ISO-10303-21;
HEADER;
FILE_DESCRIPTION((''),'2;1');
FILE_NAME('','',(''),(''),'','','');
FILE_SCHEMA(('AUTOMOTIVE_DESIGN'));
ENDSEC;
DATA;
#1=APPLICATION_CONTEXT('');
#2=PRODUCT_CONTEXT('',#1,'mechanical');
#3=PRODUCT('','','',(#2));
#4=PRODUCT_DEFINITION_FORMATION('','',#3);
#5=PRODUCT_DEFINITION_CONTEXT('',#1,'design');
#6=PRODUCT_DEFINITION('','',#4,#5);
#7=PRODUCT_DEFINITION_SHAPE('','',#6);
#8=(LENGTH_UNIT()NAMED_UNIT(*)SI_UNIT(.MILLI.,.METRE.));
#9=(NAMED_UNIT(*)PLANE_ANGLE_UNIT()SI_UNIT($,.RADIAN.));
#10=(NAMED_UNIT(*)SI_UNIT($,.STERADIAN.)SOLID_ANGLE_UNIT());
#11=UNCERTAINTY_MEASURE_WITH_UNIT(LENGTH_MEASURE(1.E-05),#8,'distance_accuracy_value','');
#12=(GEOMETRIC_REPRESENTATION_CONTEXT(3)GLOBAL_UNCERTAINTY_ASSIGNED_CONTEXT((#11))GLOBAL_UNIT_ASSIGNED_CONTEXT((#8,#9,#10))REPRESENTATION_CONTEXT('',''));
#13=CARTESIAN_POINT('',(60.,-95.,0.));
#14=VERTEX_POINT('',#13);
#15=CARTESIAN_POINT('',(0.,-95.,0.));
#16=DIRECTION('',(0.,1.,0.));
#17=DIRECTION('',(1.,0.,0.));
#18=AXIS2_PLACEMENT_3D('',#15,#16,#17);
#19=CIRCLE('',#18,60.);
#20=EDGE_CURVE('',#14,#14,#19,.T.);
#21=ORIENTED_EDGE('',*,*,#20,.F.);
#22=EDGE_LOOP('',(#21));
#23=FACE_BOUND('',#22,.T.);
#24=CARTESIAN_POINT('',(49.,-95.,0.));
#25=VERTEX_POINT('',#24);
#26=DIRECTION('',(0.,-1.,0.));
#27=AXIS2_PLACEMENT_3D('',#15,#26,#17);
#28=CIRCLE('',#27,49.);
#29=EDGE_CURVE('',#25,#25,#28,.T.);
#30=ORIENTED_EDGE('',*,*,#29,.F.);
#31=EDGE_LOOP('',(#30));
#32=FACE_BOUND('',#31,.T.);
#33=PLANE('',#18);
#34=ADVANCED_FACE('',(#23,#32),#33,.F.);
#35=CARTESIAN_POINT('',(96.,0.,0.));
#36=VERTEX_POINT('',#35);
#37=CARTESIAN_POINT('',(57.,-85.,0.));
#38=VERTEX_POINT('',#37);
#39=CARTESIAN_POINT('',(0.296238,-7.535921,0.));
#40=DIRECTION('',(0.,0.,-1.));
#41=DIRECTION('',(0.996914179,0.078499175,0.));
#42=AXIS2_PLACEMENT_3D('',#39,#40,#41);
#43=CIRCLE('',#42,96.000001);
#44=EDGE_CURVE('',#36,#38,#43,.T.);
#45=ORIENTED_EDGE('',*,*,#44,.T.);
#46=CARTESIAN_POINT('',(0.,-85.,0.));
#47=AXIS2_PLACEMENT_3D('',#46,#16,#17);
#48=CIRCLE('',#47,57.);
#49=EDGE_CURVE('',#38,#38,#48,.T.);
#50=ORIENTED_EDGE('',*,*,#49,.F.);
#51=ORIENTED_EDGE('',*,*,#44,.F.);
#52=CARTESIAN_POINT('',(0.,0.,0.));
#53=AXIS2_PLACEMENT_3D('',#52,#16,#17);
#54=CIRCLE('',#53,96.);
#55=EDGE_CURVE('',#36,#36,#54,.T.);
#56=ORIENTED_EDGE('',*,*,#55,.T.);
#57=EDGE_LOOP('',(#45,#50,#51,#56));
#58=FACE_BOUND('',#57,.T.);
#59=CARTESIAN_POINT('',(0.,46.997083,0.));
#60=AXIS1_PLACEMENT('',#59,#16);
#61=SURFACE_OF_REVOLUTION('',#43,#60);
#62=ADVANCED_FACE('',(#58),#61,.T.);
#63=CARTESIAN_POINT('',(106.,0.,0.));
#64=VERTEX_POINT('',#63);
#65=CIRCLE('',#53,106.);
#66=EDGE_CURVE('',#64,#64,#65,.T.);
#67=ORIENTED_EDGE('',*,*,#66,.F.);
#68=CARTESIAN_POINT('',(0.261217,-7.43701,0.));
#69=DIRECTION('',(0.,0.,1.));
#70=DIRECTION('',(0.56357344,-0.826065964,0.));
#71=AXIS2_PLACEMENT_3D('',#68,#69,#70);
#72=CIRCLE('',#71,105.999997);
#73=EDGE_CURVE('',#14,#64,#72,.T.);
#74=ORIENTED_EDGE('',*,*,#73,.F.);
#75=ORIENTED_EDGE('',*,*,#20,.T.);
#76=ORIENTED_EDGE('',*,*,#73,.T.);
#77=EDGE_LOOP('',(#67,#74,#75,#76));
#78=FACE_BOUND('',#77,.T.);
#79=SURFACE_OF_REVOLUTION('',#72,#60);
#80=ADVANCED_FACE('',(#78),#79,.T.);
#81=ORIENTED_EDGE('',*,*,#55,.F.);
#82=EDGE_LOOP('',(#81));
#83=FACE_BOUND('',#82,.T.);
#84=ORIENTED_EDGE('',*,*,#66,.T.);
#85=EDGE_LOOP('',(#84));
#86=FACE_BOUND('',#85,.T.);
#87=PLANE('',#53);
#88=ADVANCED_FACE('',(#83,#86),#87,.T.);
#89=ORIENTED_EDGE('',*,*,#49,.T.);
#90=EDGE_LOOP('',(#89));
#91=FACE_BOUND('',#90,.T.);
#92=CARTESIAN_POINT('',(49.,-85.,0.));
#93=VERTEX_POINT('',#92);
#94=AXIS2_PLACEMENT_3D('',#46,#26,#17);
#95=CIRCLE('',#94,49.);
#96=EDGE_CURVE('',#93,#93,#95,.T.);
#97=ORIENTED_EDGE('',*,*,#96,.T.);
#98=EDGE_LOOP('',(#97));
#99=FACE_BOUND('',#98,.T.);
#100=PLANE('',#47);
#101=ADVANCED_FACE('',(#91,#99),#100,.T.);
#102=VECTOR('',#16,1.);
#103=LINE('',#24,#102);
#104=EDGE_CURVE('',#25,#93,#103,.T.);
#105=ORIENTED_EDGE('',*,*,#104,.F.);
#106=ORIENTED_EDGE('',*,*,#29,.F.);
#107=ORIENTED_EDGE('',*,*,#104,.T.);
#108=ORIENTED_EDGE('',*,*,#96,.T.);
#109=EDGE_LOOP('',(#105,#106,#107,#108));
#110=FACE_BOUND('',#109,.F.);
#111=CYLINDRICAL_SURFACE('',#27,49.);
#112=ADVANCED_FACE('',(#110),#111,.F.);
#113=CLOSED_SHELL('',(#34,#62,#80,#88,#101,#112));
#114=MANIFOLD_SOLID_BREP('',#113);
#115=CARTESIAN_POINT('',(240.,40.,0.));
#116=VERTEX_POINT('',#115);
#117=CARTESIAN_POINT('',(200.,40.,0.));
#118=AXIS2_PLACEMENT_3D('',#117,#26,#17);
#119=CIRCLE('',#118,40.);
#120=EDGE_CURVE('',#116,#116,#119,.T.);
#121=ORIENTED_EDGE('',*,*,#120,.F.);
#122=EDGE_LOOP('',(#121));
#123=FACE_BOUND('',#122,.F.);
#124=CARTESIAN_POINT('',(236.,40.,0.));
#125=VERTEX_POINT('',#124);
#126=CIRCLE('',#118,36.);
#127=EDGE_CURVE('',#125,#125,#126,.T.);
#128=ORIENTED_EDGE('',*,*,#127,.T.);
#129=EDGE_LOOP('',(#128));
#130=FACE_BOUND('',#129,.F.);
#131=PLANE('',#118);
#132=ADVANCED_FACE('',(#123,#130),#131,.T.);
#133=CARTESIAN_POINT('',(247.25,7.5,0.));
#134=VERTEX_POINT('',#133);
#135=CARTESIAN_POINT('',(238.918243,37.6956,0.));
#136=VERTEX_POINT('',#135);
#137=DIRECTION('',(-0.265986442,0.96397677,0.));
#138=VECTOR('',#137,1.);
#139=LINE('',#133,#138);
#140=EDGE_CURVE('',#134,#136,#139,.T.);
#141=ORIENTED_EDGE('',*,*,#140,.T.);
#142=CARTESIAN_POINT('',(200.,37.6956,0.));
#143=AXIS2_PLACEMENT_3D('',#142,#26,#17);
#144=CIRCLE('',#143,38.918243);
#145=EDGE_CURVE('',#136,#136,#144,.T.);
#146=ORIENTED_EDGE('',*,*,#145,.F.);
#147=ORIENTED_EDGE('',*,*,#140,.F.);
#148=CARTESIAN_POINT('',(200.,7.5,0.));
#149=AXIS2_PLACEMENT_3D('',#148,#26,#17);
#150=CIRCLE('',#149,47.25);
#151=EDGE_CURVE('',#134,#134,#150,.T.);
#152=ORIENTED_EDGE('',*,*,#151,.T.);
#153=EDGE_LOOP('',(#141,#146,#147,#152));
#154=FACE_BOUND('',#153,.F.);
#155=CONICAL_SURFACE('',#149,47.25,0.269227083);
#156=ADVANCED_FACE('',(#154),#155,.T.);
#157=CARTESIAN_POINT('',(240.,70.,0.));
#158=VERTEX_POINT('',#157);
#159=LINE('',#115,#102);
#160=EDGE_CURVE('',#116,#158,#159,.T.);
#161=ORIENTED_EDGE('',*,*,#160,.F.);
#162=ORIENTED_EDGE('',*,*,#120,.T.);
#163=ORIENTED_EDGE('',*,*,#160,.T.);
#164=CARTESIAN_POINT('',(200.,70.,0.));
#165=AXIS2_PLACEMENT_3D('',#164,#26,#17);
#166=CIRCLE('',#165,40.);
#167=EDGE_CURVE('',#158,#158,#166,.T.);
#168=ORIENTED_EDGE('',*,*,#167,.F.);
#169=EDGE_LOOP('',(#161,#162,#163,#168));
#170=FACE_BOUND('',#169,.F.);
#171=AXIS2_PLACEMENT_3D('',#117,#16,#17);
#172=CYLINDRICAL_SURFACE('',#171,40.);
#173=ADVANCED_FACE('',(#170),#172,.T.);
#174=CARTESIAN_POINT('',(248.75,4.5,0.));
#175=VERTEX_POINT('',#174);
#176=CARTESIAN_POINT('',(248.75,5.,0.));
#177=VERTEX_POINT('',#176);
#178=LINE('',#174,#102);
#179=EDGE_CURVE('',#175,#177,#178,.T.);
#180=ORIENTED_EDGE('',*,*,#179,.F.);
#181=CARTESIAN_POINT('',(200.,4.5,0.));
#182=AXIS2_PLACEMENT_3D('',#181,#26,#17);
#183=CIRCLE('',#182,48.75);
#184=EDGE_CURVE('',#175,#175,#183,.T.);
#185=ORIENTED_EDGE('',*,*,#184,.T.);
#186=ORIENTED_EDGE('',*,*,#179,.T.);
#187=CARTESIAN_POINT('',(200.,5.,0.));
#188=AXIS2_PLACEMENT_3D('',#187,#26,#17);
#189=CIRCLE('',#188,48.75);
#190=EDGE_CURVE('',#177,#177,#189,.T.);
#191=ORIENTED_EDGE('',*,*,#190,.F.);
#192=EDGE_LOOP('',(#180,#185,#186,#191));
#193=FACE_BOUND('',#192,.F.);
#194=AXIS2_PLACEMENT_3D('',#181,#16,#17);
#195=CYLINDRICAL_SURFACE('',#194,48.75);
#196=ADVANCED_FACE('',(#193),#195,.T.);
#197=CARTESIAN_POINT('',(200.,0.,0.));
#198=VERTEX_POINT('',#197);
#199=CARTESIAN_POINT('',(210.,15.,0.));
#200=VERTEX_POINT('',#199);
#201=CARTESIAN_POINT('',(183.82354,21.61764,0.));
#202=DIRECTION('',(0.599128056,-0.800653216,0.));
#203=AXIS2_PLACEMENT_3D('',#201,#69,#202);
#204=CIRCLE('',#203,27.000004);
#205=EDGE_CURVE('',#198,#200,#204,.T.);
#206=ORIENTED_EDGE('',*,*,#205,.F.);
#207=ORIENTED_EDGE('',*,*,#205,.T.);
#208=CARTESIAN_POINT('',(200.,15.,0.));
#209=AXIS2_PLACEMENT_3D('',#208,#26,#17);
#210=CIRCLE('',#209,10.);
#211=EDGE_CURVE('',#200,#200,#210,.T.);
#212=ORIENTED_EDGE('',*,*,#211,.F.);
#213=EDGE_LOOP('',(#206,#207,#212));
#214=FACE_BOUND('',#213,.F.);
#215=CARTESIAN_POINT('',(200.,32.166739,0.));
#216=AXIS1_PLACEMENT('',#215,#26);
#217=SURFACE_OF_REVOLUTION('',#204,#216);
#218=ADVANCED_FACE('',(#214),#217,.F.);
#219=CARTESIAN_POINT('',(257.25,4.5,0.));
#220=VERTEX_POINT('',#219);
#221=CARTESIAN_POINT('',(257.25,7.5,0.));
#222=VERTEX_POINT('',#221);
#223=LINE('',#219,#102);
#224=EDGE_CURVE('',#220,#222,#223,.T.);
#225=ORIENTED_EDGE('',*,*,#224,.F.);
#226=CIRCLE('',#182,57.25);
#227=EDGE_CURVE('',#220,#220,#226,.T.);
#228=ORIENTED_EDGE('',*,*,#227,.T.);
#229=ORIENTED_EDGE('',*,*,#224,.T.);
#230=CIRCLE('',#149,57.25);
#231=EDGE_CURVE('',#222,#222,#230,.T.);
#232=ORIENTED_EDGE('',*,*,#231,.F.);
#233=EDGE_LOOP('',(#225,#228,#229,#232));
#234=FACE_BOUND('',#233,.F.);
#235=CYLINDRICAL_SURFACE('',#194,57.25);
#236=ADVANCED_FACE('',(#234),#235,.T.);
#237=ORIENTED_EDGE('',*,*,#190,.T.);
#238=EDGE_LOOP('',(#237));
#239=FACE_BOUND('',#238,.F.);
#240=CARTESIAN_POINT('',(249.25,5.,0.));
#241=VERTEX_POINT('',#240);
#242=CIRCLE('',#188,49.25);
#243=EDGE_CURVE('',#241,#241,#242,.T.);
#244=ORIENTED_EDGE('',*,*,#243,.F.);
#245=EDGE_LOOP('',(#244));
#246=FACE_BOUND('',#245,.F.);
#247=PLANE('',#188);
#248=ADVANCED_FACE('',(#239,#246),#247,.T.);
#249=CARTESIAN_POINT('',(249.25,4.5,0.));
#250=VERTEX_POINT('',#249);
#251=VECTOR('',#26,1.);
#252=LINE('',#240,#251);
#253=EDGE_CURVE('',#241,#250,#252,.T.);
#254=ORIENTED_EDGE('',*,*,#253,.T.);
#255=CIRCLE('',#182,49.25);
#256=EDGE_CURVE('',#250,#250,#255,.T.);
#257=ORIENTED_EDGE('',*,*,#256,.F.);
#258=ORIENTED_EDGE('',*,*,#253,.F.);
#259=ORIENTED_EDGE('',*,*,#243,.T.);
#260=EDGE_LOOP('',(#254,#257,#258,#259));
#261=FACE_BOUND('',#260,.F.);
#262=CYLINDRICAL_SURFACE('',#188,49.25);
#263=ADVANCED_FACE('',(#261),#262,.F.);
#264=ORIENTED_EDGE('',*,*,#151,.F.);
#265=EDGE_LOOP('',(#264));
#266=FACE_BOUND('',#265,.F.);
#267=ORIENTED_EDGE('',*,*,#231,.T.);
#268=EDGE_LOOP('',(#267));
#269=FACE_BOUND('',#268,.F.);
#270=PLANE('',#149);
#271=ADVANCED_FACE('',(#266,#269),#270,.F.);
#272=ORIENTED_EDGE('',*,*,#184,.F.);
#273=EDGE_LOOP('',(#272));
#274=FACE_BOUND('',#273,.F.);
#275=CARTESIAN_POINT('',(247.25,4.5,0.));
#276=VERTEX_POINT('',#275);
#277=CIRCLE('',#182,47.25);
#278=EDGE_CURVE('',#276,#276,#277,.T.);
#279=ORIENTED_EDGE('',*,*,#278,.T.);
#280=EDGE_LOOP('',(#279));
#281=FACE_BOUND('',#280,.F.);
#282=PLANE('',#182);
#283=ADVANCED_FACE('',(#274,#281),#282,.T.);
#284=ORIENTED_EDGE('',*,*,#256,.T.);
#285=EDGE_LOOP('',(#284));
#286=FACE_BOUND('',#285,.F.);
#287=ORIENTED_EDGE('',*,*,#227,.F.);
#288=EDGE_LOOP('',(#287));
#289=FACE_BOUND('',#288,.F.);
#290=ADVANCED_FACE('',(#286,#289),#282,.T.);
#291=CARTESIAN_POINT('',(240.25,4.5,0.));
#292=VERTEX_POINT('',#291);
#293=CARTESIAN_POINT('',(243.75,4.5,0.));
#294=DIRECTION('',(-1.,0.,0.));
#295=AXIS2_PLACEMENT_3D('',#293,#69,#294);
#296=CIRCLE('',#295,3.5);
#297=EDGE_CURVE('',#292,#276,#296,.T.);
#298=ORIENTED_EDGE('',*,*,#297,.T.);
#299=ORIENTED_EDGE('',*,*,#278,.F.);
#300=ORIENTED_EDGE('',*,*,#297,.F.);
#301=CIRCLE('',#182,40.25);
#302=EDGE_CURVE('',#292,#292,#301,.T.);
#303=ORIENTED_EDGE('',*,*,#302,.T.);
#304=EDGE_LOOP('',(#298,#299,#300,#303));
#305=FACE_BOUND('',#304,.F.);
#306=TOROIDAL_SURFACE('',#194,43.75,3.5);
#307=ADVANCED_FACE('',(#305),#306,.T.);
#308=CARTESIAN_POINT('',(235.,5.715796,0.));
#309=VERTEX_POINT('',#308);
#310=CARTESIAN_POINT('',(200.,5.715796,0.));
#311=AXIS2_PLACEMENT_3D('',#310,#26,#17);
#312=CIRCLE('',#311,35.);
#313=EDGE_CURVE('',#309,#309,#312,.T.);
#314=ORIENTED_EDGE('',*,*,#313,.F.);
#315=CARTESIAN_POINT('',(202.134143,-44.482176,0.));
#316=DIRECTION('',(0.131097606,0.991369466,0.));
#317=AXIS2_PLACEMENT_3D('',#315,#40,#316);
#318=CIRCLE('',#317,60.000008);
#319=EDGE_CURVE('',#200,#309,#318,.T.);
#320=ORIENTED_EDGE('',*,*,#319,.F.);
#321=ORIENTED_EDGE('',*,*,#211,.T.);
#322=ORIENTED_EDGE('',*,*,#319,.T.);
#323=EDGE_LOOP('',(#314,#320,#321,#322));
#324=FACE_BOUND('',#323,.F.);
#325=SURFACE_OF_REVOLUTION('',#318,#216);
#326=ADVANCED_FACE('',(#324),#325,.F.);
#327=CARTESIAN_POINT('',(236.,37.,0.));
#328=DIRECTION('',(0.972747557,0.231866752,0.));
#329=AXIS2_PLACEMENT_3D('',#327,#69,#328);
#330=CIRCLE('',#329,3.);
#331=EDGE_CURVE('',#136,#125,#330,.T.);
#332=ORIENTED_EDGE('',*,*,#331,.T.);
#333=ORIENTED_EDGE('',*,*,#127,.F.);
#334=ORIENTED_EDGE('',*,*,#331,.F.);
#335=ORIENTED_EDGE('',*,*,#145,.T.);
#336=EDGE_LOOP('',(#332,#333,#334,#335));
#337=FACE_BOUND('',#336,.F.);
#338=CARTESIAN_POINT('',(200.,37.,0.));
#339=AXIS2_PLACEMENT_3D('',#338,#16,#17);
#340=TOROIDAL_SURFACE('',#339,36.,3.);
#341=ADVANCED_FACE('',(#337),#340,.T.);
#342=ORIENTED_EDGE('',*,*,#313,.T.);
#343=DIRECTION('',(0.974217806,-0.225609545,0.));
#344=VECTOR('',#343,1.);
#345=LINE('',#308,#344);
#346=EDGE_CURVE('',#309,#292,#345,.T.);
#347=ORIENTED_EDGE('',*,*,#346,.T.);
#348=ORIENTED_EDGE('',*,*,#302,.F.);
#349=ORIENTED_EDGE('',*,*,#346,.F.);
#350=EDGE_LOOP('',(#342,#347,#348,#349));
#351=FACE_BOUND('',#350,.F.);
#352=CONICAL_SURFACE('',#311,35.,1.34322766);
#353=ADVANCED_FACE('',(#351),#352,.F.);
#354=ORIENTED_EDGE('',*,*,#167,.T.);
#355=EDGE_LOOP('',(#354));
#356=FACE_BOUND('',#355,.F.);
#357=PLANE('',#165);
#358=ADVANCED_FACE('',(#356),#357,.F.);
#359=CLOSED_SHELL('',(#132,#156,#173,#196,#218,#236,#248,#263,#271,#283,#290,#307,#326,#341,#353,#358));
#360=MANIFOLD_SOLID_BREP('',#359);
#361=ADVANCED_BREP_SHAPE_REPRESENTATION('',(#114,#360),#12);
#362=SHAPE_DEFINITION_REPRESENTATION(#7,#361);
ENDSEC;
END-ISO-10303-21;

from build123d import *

# Parameters (mm, degrees)
F6_R     = 49
F7_DEPTH = 10


with BuildPart() as f2:
    # F0 (on Top) → F2 (revolve)
    with BuildSketch(Plane.XY):
        with BuildLine():
            Line((0, -85), (0, -95))
            Line((0, -95), (60, -95))
            ThreePointArc((60, -95), (95.66539, -53.632715), (106, 0))
            Line((106, 0), (96, 0))
            ThreePointArc((96, 0), (87.550254, -47.570117), (57, -85))
            Line((57, -85), (0, -85))
        make_face()
    revolve(axis=Axis((0, 46.997083, 0), (0, 1, 0)))

    # F6 (on face) → F7 (cut)
    with BuildSketch(Plane.XZ.offset(95)):
        Circle(F6_R)
    extrude(amount=-F7_DEPTH, mode=Mode.SUBTRACT)


with BuildPart() as f5:
    # F3 (on Top) → F5 (revolve)
    with BuildSketch(Plane.XY):
        with BuildLine():
            Line((240, 70), (200, 70))
            Line((200, 70), (200, 0))
            ThreePointArc((200, 0), (206.288901, 6.640732), (210, 15))
            ThreePointArc((210, 15), (223.022351, 11.764457), (235, 5.715796))
            Line((235, 5.715796), (240.25, 4.5))
            ThreePointArc((240.25, 4.5), (243.75, 1), (247.25, 4.5))
            Line((247.25, 4.5), (248.75, 4.5))
            Line((248.75, 4.5), (248.75, 5))
            Line((248.75, 5), (249.25, 5))
            Line((249.25, 5), (249.25, 4.5))
            Line((249.25, 4.5), (257.25, 4.5))
            Line((257.25, 4.5), (257.25, 7.5))
            Line((257.25, 7.5), (247.25, 7.5))
            Line((247.25, 7.5), (238.918243, 37.6956))
            ThreePointArc((238.918243, 37.6956), (237.859193, 39.354443), (236, 40))
            Line((236, 40), (240, 40))
            Line((240, 40), (240, 70))
        make_face()
    revolve(axis=Axis((200, 32.166739, 0), (0, -1, 0)))


solid = Compound([f2.part, f5.part])
